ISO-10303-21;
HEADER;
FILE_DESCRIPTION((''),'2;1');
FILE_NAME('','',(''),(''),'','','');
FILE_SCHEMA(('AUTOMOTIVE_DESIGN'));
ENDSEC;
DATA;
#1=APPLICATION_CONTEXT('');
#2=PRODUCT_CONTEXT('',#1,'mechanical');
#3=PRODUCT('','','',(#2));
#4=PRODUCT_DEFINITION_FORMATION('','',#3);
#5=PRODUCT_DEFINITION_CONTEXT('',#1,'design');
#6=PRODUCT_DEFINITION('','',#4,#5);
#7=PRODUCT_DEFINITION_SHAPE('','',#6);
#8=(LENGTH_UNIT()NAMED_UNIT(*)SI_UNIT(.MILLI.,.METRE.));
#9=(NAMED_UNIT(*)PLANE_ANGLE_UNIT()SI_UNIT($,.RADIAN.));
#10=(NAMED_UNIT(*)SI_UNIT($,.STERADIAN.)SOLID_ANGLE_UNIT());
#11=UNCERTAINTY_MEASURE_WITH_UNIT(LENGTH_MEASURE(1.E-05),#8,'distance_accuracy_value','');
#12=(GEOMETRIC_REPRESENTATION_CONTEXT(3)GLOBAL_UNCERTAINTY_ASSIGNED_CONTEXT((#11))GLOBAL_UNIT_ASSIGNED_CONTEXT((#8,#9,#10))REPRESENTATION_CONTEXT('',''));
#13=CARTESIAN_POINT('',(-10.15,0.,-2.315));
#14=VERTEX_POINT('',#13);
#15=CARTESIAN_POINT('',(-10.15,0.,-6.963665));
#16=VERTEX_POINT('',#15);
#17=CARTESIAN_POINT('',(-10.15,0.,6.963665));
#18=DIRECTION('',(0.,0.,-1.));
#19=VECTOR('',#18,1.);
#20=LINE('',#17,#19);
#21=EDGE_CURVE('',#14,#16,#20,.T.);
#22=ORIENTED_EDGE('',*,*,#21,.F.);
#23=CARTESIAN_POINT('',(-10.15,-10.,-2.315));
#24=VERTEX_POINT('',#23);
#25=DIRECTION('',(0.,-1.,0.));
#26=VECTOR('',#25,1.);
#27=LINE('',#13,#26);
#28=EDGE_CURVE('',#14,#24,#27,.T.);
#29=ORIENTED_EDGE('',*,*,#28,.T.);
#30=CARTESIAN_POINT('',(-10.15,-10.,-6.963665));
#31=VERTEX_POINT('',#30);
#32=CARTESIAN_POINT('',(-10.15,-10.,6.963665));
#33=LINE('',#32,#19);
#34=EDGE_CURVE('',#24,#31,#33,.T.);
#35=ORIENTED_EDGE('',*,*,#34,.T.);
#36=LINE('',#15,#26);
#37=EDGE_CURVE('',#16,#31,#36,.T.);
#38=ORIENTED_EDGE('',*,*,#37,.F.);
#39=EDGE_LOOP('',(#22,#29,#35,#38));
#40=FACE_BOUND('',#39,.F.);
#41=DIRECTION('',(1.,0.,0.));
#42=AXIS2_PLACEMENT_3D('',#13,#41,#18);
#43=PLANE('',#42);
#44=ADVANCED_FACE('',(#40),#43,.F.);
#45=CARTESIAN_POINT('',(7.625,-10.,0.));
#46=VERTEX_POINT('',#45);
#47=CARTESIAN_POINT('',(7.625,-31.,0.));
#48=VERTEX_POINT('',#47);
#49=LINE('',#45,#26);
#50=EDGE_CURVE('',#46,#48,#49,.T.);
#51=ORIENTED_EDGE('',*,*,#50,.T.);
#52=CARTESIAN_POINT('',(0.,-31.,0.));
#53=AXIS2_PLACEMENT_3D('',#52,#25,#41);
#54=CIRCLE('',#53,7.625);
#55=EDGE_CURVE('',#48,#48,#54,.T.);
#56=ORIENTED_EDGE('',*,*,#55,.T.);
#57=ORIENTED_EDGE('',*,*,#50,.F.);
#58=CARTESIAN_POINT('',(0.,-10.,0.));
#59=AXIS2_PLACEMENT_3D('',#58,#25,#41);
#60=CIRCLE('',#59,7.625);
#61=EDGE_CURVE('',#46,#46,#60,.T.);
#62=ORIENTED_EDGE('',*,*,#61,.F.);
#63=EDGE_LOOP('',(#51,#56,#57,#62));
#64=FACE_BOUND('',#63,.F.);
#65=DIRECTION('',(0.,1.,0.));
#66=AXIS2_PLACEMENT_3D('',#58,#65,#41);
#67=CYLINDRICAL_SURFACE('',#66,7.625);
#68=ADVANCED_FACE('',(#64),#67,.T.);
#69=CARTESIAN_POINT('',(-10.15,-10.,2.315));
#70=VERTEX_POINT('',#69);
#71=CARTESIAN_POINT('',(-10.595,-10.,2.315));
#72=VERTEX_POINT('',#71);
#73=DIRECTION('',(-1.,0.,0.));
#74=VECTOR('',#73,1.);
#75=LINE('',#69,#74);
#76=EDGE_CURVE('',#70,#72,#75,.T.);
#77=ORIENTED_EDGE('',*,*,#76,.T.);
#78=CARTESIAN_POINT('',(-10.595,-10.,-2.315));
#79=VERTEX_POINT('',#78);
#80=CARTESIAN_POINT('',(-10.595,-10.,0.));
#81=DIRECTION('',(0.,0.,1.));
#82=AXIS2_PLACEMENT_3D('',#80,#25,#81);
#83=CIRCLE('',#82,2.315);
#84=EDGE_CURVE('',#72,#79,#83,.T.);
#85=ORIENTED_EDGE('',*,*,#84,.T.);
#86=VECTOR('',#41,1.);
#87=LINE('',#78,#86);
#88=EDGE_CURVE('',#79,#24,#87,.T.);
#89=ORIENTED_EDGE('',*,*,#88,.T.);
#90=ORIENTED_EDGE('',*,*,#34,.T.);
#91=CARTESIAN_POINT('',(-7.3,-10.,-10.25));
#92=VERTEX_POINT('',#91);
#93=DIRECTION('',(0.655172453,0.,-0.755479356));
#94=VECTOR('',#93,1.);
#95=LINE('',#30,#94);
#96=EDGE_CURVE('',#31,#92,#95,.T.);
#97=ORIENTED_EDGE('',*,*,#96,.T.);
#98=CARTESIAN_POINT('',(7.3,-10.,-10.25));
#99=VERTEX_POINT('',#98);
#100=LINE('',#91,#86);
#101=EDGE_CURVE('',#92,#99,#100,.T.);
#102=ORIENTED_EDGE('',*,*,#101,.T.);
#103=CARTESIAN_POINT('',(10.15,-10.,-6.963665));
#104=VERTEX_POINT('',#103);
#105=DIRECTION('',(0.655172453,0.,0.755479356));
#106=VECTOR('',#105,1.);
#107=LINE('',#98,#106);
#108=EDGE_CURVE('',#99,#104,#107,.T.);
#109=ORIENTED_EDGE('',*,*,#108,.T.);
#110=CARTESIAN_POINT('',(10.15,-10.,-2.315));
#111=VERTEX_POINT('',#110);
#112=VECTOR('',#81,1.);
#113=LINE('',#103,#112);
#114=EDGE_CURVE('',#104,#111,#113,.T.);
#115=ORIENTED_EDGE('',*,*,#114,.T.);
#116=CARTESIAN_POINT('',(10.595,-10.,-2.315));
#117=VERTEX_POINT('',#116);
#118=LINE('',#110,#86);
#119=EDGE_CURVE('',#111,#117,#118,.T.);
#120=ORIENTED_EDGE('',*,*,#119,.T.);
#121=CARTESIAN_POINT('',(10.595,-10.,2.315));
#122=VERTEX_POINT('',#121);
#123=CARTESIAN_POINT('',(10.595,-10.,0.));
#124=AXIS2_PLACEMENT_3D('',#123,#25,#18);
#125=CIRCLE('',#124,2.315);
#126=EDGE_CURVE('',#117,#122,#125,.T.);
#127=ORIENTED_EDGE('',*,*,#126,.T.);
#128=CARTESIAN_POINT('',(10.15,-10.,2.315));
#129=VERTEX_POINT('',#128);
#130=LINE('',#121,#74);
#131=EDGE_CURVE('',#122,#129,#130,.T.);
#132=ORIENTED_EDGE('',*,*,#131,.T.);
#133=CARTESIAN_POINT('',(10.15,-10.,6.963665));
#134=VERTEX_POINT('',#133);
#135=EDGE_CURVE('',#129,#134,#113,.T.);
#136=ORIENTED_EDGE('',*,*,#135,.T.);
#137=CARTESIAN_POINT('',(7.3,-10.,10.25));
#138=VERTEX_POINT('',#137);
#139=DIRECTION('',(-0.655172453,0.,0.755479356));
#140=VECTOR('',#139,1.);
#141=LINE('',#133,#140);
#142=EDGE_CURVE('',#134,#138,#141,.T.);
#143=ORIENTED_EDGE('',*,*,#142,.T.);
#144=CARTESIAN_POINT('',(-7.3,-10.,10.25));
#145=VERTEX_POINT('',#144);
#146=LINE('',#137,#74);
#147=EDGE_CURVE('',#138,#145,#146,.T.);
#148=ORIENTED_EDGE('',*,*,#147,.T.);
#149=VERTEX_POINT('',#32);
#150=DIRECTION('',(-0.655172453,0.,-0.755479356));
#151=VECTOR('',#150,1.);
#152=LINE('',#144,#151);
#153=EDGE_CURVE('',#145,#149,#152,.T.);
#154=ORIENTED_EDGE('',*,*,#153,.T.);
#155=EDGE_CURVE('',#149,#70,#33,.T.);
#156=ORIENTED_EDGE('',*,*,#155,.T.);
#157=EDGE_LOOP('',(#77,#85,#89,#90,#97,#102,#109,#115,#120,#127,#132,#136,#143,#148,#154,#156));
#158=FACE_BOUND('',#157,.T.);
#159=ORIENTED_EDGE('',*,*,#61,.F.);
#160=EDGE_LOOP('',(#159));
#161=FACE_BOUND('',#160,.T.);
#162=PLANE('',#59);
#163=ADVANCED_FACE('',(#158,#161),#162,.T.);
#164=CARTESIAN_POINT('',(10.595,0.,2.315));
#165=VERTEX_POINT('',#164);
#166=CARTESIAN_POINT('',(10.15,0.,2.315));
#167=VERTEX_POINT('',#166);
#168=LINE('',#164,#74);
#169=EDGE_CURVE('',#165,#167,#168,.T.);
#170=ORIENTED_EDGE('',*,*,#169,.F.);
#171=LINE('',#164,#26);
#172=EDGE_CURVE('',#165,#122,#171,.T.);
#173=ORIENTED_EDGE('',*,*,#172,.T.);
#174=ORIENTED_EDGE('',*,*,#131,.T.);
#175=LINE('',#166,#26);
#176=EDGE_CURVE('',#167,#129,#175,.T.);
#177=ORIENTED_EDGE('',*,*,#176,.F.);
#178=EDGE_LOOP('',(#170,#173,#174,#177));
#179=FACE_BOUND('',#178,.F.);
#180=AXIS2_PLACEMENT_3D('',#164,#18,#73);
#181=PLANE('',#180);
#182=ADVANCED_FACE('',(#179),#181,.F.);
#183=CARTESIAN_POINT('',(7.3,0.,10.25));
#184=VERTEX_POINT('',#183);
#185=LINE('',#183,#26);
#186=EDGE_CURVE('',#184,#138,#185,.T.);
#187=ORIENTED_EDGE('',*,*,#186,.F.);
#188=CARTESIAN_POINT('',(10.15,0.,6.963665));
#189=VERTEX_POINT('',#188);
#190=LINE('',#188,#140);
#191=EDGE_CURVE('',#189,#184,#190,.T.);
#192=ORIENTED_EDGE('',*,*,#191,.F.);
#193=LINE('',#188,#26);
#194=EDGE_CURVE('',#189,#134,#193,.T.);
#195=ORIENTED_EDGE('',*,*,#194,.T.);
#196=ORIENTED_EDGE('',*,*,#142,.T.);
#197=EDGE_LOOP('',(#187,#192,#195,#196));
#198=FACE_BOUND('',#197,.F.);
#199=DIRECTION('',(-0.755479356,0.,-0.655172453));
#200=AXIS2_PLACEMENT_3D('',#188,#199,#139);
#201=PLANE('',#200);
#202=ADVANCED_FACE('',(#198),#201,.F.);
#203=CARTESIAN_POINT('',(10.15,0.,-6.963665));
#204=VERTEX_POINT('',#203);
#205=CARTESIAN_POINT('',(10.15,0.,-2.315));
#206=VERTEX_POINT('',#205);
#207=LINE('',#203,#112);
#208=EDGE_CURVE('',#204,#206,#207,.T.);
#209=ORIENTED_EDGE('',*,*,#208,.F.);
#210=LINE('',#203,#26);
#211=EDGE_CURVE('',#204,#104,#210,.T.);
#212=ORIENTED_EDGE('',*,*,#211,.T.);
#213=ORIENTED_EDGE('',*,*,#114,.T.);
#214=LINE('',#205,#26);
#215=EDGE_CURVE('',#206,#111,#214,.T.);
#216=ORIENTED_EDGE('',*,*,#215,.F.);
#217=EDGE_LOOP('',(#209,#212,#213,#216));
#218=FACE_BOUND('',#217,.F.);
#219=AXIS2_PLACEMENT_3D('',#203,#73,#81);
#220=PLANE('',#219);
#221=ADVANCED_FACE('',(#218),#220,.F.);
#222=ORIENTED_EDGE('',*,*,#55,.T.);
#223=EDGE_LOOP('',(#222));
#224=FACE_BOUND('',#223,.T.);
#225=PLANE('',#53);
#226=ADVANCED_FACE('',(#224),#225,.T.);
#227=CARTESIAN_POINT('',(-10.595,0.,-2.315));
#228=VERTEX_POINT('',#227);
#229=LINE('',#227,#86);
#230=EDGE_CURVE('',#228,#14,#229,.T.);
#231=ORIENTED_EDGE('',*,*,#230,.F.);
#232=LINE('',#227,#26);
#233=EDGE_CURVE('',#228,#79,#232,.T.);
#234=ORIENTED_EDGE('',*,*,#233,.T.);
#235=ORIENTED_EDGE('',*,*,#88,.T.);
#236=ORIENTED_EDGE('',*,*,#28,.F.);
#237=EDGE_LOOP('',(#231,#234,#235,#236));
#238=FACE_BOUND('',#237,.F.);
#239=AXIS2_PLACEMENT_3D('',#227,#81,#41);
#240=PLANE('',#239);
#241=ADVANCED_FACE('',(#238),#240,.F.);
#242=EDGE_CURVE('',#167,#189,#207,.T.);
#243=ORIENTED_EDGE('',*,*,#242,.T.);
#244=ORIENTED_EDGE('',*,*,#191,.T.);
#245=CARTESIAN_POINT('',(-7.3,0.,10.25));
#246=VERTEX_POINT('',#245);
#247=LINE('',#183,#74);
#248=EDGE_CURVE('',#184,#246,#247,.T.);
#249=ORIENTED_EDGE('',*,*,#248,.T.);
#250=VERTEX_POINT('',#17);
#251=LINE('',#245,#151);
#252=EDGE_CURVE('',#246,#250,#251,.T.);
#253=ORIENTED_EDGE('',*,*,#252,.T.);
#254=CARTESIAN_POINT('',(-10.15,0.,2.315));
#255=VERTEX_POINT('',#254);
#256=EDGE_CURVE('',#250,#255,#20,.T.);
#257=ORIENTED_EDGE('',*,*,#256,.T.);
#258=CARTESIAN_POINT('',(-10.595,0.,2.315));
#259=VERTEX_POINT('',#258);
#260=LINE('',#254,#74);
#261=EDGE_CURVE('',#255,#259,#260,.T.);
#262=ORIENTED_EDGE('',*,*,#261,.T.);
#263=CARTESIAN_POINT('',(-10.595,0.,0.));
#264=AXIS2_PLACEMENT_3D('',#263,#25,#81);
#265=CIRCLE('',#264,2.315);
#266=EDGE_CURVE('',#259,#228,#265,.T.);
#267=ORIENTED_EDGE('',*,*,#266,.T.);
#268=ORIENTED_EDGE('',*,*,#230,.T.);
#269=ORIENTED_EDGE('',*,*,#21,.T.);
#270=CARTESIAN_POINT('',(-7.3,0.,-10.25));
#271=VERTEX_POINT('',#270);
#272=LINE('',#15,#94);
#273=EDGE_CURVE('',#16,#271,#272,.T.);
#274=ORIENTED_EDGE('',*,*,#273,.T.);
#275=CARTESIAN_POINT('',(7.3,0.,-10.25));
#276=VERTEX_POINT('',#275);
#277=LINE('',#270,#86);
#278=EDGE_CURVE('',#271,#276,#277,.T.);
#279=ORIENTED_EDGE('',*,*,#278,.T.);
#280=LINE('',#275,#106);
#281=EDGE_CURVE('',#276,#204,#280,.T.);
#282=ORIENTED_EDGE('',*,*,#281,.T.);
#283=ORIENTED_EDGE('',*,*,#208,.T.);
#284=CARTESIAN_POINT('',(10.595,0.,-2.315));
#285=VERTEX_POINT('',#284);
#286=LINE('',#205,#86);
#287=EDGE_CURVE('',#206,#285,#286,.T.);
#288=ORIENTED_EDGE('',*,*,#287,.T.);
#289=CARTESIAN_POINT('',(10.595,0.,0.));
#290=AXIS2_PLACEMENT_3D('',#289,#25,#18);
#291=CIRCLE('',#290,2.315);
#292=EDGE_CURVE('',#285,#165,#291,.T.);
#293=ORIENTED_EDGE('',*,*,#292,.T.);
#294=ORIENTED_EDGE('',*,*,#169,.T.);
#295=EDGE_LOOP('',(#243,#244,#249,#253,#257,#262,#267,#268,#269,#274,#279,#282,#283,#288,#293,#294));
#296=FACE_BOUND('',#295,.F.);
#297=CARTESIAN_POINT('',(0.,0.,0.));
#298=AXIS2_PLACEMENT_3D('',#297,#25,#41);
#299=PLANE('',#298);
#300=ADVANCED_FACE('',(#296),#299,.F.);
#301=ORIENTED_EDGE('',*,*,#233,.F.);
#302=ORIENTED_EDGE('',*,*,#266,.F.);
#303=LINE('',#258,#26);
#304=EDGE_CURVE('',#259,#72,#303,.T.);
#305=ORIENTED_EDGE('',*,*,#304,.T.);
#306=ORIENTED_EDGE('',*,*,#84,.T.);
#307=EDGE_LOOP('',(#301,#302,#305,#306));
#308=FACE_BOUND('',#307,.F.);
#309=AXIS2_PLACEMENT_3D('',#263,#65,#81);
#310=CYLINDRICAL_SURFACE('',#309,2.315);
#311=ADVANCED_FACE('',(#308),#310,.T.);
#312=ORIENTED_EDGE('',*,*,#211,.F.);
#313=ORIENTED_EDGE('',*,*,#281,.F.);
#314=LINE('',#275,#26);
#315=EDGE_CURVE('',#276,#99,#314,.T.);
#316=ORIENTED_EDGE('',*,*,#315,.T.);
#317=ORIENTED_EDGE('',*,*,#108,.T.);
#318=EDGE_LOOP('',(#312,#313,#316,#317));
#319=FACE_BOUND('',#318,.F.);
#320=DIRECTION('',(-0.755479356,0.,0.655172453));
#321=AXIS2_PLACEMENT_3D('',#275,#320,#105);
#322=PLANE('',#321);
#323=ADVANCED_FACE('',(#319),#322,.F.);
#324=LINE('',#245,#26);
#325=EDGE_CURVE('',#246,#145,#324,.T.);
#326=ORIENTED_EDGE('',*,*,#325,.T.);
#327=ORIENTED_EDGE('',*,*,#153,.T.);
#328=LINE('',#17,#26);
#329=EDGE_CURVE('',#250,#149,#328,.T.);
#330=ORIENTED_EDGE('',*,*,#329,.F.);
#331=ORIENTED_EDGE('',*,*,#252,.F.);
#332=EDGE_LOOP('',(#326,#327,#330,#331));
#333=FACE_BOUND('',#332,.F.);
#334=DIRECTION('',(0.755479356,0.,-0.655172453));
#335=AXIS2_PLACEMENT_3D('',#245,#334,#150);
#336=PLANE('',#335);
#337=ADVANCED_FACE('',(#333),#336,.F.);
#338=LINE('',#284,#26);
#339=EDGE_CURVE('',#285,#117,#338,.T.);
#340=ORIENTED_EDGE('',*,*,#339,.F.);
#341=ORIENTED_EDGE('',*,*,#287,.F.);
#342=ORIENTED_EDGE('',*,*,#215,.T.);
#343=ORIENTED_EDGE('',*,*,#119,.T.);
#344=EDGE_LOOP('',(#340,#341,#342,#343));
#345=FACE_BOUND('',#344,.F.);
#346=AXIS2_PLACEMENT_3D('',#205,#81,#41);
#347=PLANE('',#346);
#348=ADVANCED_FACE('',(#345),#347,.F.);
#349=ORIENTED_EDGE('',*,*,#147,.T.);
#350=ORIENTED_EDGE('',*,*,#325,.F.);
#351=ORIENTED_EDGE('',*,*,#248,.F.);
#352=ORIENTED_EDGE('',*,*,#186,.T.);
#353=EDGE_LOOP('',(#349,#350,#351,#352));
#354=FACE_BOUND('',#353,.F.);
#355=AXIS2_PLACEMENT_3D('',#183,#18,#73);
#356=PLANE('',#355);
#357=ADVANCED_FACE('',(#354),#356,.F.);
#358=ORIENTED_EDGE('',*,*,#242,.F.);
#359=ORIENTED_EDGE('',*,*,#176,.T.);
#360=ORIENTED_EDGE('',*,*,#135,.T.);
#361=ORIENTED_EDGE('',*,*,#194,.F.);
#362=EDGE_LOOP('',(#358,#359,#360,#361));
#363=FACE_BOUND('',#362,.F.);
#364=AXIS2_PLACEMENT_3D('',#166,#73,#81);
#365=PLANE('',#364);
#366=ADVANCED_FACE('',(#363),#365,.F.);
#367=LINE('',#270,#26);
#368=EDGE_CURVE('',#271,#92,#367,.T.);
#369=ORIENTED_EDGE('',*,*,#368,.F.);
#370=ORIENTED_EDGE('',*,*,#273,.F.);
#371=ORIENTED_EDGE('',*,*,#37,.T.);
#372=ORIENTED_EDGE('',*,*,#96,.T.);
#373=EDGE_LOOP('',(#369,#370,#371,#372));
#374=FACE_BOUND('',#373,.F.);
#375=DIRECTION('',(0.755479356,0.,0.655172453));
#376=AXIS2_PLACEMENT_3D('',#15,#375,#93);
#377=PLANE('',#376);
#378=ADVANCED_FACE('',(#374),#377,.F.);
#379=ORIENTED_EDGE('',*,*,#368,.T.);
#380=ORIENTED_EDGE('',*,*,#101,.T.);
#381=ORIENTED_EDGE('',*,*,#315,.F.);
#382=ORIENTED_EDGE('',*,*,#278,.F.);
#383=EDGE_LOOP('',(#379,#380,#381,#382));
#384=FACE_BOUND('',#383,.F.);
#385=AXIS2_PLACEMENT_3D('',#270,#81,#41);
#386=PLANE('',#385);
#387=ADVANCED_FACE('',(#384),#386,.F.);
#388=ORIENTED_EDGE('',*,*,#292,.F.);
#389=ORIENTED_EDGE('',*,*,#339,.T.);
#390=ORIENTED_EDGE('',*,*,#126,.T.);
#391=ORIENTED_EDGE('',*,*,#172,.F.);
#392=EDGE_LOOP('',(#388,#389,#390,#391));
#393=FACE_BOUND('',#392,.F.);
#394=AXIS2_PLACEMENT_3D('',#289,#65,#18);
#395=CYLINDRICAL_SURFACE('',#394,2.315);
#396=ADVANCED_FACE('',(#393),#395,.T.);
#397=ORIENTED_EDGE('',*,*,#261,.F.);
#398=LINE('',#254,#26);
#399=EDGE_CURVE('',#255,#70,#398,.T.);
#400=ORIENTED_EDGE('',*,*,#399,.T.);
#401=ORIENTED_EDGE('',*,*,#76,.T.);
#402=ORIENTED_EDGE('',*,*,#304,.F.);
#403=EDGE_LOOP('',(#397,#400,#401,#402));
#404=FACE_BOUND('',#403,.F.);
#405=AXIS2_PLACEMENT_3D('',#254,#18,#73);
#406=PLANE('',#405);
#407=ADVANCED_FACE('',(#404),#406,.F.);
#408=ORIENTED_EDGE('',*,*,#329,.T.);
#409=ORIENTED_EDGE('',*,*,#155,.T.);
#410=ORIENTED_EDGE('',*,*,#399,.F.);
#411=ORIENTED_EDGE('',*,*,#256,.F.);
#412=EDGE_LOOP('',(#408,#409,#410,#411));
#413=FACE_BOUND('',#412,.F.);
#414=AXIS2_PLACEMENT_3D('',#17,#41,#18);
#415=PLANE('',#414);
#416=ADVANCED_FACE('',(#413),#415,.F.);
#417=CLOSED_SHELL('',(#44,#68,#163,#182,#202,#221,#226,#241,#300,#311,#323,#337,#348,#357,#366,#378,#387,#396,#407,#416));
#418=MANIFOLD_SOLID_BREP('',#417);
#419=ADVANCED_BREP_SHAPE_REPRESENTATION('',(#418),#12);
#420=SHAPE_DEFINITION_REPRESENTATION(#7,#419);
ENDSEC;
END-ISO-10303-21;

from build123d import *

# Parameters (mm, degrees)
F1_DEPTH = 10
F2_R     = 7.625
F3_DEPTH = 21


with BuildPart() as f1:
    # F0 (on Front) → F1 (new body)
    with BuildSketch(Plane.XZ):
        Polygon((-7.3, 10.25), (-10.15, 6.963665), (-10.15, 2.315), (-10.15, -2.315), (-10.15, -6.963665), (-7.3, -10.25), (7.3, -10.25), (10.15, -6.963665), (10.15, -2.315), (10.15, 2.315), (10.15, 6.963665), (7.3, 10.25), align=None)
        with BuildLine():
            Line((-10.15, -2.315), (-10.15, 2.315))
            Line((-10.15, 2.315), (-10.595, 2.315))
            ThreePointArc((-10.595, 2.315), (-12.91, 0), (-10.595, -2.315))
            Line((-10.595, -2.315), (-10.15, -2.315))
        make_face()
        with BuildLine():
            Line((10.595, 2.315), (10.15, 2.315))
            Line((10.15, 2.315), (10.15, -2.315))
            Line((10.15, -2.315), (10.595, -2.315))
            ThreePointArc((10.595, -2.315), (12.91, 0), (10.595, 2.315))
        make_face()
    extrude(amount=F1_DEPTH)

    # F2 (on face) → F3 (join)
    with BuildSketch(Plane.XZ.offset(10)):
        Circle(F2_R)
    extrude(amount=F3_DEPTH)


solid = f1.part
